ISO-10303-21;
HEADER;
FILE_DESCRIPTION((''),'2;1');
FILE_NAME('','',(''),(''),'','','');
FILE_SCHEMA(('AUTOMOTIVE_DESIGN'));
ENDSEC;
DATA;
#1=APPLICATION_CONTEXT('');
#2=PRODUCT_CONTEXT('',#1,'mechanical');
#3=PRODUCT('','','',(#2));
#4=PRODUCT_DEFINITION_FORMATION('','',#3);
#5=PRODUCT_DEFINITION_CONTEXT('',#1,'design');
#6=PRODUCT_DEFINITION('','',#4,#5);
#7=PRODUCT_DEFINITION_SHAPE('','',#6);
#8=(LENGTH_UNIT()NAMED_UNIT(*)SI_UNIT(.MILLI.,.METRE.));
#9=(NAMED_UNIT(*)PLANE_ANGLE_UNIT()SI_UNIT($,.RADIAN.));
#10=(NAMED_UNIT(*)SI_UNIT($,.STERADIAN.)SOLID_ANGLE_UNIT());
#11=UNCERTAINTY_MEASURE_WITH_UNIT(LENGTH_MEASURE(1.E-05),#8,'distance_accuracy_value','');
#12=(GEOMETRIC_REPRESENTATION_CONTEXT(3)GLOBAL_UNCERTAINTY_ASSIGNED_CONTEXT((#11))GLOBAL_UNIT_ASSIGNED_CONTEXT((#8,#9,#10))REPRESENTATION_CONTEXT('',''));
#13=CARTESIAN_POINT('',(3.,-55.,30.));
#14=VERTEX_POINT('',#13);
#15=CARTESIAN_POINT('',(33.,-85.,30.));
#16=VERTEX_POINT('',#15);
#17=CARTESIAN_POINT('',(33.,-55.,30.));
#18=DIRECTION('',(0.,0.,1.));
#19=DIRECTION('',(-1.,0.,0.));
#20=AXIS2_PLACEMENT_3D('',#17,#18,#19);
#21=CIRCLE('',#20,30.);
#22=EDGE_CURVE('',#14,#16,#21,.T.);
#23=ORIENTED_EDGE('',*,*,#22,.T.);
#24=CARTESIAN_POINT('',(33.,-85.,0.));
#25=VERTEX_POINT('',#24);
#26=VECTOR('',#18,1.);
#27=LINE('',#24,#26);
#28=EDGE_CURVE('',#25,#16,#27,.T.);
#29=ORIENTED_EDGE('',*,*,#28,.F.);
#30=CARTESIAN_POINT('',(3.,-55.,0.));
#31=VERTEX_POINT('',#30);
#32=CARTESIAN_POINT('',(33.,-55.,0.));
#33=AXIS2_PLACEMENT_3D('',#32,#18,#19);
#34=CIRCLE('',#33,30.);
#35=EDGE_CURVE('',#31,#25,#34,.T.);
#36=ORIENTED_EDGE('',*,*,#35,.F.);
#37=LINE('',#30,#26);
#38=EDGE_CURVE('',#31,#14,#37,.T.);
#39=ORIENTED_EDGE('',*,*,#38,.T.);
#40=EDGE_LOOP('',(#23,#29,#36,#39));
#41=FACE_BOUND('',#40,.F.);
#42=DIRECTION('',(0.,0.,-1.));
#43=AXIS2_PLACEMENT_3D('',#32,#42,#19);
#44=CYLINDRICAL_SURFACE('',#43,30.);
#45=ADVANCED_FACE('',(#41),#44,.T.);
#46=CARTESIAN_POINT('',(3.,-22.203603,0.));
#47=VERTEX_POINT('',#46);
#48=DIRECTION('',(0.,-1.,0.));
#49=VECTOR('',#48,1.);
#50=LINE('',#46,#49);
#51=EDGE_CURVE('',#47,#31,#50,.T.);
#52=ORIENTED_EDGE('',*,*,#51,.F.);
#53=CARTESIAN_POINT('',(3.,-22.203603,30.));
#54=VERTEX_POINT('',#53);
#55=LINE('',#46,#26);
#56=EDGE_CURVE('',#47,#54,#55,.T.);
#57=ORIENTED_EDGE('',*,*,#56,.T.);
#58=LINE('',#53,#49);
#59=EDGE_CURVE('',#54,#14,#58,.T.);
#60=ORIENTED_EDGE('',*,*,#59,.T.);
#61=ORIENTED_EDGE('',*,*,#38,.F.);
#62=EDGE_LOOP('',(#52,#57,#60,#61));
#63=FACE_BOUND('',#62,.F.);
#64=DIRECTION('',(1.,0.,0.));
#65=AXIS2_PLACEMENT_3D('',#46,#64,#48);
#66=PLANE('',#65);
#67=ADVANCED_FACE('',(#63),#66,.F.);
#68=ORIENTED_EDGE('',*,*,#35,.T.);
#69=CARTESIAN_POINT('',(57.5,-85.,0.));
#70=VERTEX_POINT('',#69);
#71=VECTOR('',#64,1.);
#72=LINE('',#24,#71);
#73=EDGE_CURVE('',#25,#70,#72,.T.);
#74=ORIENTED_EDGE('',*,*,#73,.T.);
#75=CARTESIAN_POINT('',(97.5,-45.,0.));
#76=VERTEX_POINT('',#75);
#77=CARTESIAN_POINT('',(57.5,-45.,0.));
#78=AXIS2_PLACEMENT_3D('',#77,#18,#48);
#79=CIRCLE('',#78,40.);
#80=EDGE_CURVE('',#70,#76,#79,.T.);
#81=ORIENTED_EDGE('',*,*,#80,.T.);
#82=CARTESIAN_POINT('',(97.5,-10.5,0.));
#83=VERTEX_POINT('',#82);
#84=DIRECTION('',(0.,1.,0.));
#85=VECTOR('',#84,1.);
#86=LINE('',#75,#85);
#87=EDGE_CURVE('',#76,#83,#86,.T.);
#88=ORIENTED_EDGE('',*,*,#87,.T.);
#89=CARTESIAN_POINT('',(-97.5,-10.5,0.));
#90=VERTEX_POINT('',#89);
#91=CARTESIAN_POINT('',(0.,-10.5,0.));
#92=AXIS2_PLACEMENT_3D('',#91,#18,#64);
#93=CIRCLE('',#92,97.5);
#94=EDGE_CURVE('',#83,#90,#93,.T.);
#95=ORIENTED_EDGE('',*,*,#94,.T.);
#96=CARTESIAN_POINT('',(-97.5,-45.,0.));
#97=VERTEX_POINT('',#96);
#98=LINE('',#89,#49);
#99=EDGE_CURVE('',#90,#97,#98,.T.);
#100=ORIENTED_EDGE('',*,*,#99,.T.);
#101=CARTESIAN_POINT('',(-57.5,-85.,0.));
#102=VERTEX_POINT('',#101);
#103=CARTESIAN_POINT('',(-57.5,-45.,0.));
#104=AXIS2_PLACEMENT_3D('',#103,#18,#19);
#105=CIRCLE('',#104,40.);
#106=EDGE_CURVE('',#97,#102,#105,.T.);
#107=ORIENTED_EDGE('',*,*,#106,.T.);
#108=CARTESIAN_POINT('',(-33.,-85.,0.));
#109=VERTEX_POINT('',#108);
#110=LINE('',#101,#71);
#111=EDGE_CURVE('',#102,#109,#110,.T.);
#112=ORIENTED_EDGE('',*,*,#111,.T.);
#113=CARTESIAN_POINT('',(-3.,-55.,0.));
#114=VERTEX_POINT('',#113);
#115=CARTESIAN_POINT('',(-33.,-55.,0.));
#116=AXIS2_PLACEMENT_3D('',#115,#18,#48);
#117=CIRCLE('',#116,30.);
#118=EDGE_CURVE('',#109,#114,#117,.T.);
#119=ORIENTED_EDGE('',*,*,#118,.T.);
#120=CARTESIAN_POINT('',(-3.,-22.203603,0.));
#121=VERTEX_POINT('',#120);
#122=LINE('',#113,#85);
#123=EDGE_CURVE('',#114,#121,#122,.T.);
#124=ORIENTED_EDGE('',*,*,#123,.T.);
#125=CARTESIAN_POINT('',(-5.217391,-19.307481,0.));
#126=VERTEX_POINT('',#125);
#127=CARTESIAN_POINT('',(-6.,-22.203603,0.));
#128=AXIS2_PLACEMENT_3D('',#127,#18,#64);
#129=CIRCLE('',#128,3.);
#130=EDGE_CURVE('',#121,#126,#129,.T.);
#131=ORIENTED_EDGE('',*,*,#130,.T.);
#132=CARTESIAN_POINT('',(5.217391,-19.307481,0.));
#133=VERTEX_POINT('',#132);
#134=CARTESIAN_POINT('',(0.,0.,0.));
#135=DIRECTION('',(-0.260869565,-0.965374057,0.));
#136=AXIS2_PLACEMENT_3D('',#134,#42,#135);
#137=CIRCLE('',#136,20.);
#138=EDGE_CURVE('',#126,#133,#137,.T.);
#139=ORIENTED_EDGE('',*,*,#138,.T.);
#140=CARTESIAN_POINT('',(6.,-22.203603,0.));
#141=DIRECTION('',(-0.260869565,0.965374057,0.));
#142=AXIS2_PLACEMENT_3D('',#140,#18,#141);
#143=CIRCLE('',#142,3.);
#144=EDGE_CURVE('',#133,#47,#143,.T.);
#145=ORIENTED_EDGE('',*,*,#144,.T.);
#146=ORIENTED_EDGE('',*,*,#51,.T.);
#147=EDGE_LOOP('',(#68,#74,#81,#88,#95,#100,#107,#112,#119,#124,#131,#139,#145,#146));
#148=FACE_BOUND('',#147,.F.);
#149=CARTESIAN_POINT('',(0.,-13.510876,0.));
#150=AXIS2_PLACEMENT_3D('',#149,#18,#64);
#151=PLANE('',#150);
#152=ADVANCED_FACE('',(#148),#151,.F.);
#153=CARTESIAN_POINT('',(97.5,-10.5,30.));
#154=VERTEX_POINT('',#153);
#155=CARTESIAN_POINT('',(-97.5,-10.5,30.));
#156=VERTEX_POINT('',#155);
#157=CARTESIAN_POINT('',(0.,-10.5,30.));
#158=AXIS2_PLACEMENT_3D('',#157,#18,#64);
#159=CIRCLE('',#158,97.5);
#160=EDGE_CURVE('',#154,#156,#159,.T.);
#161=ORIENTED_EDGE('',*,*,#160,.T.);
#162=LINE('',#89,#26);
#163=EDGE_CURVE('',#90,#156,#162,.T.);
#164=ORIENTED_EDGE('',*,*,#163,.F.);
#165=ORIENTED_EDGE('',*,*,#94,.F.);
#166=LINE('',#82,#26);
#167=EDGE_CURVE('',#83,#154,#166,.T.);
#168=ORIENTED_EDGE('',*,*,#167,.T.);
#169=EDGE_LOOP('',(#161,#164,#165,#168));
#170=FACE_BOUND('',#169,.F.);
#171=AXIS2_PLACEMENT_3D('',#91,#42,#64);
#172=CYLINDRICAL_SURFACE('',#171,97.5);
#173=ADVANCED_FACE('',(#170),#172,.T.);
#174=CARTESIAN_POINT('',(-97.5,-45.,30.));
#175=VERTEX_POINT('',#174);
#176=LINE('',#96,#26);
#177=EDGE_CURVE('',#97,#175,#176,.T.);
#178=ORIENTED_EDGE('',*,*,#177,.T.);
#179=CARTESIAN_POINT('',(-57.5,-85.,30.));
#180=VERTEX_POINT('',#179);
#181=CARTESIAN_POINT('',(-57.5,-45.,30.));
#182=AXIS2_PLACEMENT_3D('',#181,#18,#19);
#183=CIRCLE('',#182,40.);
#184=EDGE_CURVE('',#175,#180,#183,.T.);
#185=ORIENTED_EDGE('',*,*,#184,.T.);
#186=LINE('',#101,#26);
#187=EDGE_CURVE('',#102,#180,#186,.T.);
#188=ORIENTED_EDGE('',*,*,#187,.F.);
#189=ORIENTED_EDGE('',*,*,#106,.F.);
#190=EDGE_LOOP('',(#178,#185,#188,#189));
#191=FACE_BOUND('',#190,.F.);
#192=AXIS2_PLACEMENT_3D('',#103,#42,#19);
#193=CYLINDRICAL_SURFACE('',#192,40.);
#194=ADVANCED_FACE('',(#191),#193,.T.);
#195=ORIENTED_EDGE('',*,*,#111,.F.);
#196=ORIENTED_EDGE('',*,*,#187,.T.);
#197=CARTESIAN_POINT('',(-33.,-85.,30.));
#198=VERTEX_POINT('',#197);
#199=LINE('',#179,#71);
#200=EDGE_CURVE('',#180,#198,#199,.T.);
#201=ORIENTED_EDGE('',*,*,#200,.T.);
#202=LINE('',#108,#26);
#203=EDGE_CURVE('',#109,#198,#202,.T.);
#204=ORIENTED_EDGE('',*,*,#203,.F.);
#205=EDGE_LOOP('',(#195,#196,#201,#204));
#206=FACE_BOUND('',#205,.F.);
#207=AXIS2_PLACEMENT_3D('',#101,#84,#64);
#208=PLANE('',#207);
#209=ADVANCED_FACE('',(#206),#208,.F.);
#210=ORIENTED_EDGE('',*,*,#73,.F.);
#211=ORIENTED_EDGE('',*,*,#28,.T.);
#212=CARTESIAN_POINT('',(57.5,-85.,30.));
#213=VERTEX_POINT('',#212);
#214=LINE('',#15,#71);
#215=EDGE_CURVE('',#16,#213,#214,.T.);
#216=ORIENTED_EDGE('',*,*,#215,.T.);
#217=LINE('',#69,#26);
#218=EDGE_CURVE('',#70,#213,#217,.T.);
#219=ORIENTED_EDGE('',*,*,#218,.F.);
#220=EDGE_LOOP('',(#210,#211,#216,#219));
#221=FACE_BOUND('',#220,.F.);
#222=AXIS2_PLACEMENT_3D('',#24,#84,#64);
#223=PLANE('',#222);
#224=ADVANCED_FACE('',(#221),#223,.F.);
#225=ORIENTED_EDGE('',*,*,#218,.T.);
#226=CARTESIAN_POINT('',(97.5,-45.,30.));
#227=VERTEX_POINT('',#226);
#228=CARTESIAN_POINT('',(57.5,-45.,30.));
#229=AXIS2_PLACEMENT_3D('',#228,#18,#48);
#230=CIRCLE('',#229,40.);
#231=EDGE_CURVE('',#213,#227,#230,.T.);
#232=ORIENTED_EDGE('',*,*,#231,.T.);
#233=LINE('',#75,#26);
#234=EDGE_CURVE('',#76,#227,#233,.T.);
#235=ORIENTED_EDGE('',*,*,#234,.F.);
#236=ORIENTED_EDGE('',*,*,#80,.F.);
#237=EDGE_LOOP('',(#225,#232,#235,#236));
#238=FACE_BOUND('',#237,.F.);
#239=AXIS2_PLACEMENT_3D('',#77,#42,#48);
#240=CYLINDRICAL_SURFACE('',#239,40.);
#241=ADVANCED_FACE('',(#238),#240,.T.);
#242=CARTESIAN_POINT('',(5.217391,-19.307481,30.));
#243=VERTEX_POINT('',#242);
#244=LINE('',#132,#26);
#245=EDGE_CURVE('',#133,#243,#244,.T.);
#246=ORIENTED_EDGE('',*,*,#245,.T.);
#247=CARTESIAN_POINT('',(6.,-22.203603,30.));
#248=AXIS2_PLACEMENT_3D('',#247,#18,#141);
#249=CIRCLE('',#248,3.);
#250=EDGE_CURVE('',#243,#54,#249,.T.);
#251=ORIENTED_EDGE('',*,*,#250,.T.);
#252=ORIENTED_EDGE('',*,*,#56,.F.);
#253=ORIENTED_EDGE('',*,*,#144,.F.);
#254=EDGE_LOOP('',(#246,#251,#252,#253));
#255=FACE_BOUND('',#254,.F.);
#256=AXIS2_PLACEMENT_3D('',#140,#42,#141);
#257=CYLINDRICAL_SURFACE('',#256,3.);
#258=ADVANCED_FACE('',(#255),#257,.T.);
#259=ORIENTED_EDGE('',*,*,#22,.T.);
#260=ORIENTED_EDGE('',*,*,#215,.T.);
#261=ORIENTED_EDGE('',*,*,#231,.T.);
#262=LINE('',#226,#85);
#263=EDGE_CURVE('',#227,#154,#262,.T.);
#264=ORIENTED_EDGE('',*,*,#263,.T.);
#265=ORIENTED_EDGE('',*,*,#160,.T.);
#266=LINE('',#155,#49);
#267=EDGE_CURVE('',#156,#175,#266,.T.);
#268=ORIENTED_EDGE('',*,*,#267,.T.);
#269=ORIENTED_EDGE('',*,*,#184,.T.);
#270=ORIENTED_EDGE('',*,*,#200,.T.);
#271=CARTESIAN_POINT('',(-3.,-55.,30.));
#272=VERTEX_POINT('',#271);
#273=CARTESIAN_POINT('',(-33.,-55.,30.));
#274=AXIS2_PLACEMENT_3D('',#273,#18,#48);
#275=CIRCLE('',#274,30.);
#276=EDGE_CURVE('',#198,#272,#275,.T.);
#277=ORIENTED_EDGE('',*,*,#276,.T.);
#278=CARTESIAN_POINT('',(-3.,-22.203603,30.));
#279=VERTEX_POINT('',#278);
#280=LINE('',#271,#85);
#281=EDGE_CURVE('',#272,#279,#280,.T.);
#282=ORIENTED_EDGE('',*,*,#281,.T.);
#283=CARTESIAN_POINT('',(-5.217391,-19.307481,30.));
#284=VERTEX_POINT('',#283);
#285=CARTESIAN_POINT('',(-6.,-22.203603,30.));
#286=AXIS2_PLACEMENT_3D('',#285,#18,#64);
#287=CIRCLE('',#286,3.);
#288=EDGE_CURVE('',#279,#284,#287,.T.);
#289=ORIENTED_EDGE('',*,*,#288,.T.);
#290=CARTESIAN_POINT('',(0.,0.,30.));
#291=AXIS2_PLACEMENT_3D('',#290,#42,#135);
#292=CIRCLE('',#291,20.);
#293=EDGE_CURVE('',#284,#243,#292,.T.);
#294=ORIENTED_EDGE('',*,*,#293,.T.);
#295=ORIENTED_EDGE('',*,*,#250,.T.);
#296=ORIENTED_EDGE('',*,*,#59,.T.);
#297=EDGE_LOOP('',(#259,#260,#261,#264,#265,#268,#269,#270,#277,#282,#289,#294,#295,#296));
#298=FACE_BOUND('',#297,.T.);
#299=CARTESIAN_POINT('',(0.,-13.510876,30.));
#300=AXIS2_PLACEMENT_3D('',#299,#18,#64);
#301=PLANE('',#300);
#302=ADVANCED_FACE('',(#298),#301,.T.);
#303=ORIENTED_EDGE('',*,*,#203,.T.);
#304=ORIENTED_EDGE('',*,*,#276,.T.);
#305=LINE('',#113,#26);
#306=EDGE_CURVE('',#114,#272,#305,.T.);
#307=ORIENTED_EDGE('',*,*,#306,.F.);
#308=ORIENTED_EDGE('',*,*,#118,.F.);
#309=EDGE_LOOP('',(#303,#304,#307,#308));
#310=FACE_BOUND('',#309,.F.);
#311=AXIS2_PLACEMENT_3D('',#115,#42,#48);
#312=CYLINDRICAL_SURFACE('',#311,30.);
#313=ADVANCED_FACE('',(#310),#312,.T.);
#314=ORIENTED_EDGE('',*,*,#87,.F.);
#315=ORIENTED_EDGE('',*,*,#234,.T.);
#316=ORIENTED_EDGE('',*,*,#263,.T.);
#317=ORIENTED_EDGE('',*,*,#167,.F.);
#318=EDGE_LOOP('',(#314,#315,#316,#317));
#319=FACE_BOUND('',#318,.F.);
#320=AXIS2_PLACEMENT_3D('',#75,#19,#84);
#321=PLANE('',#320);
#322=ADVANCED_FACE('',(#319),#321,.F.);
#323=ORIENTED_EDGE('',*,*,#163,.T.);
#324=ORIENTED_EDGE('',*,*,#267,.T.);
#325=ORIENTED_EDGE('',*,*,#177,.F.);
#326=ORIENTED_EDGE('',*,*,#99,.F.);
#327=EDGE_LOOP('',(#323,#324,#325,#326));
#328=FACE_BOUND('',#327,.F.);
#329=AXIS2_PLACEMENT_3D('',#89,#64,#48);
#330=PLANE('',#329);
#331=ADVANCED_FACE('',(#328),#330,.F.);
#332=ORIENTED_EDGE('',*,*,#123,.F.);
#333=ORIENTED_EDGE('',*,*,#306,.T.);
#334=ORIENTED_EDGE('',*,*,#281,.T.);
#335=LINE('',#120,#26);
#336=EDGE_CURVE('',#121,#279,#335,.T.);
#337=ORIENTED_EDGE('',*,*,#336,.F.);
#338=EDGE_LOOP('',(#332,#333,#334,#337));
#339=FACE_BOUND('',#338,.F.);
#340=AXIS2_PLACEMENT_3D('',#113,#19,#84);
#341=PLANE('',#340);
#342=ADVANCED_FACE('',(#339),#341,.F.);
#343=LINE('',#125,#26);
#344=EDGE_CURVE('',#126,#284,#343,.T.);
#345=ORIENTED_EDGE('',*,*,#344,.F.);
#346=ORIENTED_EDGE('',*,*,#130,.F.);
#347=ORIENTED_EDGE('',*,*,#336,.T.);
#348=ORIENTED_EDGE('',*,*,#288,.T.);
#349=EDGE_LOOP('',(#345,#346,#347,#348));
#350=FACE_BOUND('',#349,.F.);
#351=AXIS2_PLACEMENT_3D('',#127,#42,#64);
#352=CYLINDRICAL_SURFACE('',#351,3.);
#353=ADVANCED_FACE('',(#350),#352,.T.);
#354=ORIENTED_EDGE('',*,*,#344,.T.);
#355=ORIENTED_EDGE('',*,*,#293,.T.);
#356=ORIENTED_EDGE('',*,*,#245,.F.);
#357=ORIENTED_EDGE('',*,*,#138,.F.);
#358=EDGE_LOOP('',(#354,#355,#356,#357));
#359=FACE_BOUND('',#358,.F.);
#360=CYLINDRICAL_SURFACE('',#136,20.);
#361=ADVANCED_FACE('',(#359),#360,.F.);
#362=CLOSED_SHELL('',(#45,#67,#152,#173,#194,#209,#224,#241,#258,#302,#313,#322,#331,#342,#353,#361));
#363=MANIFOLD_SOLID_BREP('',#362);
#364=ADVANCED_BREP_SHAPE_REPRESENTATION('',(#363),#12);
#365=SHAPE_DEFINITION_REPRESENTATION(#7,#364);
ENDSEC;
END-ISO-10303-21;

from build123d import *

# Parameters (mm, degrees)
F1_DEPTH = 30


with BuildPart() as f1:
    # F0 (on Top) → F1 (new body)
    with BuildSketch(Plane.XY):
        with BuildLine():
            Line((-97.5, -10.5), (-97.5, -45))
            ThreePointArc((-97.5, -45), (-85.7842712475, -73.2842712475), (-57.5, -85))
            Line((-57.5, -85), (-33, -85))
            ThreePointArc((-33, -85), (-11.7867965644, -76.2132034356), (-3, -55))
            Line((-3, -55), (-3, -22.2036033112))
            ThreePointArc((-3, -22.2036033112), (-3.6180022999, -20.3798470346), (-5.2173913043, -19.3074811402))
            ThreePointArc((-5.2173913043, -19.3074811402), (0, 20), (5.2173913043, -19.3074811402))
            ThreePointArc((5.2173913043, -19.3074811402), (3.6180022999, -20.3798470346), (3, -22.2036033112))
            Line((3, -22.2036033112), (3, -55))
            ThreePointArc((3, -55), (11.7867965644, -76.2132034356), (33, -85))
            Line((33, -85), (57.5, -85))
            ThreePointArc((57.5, -85), (85.7842712475, -73.2842712475), (97.5, -45))
            Line((97.5, -45), (97.5, -10.5))
            ThreePointArc((97.5, -10.5), (0, 87), (-97.5, -10.5))
        make_face()
    extrude(amount=F1_DEPTH)


solid = f1.part
